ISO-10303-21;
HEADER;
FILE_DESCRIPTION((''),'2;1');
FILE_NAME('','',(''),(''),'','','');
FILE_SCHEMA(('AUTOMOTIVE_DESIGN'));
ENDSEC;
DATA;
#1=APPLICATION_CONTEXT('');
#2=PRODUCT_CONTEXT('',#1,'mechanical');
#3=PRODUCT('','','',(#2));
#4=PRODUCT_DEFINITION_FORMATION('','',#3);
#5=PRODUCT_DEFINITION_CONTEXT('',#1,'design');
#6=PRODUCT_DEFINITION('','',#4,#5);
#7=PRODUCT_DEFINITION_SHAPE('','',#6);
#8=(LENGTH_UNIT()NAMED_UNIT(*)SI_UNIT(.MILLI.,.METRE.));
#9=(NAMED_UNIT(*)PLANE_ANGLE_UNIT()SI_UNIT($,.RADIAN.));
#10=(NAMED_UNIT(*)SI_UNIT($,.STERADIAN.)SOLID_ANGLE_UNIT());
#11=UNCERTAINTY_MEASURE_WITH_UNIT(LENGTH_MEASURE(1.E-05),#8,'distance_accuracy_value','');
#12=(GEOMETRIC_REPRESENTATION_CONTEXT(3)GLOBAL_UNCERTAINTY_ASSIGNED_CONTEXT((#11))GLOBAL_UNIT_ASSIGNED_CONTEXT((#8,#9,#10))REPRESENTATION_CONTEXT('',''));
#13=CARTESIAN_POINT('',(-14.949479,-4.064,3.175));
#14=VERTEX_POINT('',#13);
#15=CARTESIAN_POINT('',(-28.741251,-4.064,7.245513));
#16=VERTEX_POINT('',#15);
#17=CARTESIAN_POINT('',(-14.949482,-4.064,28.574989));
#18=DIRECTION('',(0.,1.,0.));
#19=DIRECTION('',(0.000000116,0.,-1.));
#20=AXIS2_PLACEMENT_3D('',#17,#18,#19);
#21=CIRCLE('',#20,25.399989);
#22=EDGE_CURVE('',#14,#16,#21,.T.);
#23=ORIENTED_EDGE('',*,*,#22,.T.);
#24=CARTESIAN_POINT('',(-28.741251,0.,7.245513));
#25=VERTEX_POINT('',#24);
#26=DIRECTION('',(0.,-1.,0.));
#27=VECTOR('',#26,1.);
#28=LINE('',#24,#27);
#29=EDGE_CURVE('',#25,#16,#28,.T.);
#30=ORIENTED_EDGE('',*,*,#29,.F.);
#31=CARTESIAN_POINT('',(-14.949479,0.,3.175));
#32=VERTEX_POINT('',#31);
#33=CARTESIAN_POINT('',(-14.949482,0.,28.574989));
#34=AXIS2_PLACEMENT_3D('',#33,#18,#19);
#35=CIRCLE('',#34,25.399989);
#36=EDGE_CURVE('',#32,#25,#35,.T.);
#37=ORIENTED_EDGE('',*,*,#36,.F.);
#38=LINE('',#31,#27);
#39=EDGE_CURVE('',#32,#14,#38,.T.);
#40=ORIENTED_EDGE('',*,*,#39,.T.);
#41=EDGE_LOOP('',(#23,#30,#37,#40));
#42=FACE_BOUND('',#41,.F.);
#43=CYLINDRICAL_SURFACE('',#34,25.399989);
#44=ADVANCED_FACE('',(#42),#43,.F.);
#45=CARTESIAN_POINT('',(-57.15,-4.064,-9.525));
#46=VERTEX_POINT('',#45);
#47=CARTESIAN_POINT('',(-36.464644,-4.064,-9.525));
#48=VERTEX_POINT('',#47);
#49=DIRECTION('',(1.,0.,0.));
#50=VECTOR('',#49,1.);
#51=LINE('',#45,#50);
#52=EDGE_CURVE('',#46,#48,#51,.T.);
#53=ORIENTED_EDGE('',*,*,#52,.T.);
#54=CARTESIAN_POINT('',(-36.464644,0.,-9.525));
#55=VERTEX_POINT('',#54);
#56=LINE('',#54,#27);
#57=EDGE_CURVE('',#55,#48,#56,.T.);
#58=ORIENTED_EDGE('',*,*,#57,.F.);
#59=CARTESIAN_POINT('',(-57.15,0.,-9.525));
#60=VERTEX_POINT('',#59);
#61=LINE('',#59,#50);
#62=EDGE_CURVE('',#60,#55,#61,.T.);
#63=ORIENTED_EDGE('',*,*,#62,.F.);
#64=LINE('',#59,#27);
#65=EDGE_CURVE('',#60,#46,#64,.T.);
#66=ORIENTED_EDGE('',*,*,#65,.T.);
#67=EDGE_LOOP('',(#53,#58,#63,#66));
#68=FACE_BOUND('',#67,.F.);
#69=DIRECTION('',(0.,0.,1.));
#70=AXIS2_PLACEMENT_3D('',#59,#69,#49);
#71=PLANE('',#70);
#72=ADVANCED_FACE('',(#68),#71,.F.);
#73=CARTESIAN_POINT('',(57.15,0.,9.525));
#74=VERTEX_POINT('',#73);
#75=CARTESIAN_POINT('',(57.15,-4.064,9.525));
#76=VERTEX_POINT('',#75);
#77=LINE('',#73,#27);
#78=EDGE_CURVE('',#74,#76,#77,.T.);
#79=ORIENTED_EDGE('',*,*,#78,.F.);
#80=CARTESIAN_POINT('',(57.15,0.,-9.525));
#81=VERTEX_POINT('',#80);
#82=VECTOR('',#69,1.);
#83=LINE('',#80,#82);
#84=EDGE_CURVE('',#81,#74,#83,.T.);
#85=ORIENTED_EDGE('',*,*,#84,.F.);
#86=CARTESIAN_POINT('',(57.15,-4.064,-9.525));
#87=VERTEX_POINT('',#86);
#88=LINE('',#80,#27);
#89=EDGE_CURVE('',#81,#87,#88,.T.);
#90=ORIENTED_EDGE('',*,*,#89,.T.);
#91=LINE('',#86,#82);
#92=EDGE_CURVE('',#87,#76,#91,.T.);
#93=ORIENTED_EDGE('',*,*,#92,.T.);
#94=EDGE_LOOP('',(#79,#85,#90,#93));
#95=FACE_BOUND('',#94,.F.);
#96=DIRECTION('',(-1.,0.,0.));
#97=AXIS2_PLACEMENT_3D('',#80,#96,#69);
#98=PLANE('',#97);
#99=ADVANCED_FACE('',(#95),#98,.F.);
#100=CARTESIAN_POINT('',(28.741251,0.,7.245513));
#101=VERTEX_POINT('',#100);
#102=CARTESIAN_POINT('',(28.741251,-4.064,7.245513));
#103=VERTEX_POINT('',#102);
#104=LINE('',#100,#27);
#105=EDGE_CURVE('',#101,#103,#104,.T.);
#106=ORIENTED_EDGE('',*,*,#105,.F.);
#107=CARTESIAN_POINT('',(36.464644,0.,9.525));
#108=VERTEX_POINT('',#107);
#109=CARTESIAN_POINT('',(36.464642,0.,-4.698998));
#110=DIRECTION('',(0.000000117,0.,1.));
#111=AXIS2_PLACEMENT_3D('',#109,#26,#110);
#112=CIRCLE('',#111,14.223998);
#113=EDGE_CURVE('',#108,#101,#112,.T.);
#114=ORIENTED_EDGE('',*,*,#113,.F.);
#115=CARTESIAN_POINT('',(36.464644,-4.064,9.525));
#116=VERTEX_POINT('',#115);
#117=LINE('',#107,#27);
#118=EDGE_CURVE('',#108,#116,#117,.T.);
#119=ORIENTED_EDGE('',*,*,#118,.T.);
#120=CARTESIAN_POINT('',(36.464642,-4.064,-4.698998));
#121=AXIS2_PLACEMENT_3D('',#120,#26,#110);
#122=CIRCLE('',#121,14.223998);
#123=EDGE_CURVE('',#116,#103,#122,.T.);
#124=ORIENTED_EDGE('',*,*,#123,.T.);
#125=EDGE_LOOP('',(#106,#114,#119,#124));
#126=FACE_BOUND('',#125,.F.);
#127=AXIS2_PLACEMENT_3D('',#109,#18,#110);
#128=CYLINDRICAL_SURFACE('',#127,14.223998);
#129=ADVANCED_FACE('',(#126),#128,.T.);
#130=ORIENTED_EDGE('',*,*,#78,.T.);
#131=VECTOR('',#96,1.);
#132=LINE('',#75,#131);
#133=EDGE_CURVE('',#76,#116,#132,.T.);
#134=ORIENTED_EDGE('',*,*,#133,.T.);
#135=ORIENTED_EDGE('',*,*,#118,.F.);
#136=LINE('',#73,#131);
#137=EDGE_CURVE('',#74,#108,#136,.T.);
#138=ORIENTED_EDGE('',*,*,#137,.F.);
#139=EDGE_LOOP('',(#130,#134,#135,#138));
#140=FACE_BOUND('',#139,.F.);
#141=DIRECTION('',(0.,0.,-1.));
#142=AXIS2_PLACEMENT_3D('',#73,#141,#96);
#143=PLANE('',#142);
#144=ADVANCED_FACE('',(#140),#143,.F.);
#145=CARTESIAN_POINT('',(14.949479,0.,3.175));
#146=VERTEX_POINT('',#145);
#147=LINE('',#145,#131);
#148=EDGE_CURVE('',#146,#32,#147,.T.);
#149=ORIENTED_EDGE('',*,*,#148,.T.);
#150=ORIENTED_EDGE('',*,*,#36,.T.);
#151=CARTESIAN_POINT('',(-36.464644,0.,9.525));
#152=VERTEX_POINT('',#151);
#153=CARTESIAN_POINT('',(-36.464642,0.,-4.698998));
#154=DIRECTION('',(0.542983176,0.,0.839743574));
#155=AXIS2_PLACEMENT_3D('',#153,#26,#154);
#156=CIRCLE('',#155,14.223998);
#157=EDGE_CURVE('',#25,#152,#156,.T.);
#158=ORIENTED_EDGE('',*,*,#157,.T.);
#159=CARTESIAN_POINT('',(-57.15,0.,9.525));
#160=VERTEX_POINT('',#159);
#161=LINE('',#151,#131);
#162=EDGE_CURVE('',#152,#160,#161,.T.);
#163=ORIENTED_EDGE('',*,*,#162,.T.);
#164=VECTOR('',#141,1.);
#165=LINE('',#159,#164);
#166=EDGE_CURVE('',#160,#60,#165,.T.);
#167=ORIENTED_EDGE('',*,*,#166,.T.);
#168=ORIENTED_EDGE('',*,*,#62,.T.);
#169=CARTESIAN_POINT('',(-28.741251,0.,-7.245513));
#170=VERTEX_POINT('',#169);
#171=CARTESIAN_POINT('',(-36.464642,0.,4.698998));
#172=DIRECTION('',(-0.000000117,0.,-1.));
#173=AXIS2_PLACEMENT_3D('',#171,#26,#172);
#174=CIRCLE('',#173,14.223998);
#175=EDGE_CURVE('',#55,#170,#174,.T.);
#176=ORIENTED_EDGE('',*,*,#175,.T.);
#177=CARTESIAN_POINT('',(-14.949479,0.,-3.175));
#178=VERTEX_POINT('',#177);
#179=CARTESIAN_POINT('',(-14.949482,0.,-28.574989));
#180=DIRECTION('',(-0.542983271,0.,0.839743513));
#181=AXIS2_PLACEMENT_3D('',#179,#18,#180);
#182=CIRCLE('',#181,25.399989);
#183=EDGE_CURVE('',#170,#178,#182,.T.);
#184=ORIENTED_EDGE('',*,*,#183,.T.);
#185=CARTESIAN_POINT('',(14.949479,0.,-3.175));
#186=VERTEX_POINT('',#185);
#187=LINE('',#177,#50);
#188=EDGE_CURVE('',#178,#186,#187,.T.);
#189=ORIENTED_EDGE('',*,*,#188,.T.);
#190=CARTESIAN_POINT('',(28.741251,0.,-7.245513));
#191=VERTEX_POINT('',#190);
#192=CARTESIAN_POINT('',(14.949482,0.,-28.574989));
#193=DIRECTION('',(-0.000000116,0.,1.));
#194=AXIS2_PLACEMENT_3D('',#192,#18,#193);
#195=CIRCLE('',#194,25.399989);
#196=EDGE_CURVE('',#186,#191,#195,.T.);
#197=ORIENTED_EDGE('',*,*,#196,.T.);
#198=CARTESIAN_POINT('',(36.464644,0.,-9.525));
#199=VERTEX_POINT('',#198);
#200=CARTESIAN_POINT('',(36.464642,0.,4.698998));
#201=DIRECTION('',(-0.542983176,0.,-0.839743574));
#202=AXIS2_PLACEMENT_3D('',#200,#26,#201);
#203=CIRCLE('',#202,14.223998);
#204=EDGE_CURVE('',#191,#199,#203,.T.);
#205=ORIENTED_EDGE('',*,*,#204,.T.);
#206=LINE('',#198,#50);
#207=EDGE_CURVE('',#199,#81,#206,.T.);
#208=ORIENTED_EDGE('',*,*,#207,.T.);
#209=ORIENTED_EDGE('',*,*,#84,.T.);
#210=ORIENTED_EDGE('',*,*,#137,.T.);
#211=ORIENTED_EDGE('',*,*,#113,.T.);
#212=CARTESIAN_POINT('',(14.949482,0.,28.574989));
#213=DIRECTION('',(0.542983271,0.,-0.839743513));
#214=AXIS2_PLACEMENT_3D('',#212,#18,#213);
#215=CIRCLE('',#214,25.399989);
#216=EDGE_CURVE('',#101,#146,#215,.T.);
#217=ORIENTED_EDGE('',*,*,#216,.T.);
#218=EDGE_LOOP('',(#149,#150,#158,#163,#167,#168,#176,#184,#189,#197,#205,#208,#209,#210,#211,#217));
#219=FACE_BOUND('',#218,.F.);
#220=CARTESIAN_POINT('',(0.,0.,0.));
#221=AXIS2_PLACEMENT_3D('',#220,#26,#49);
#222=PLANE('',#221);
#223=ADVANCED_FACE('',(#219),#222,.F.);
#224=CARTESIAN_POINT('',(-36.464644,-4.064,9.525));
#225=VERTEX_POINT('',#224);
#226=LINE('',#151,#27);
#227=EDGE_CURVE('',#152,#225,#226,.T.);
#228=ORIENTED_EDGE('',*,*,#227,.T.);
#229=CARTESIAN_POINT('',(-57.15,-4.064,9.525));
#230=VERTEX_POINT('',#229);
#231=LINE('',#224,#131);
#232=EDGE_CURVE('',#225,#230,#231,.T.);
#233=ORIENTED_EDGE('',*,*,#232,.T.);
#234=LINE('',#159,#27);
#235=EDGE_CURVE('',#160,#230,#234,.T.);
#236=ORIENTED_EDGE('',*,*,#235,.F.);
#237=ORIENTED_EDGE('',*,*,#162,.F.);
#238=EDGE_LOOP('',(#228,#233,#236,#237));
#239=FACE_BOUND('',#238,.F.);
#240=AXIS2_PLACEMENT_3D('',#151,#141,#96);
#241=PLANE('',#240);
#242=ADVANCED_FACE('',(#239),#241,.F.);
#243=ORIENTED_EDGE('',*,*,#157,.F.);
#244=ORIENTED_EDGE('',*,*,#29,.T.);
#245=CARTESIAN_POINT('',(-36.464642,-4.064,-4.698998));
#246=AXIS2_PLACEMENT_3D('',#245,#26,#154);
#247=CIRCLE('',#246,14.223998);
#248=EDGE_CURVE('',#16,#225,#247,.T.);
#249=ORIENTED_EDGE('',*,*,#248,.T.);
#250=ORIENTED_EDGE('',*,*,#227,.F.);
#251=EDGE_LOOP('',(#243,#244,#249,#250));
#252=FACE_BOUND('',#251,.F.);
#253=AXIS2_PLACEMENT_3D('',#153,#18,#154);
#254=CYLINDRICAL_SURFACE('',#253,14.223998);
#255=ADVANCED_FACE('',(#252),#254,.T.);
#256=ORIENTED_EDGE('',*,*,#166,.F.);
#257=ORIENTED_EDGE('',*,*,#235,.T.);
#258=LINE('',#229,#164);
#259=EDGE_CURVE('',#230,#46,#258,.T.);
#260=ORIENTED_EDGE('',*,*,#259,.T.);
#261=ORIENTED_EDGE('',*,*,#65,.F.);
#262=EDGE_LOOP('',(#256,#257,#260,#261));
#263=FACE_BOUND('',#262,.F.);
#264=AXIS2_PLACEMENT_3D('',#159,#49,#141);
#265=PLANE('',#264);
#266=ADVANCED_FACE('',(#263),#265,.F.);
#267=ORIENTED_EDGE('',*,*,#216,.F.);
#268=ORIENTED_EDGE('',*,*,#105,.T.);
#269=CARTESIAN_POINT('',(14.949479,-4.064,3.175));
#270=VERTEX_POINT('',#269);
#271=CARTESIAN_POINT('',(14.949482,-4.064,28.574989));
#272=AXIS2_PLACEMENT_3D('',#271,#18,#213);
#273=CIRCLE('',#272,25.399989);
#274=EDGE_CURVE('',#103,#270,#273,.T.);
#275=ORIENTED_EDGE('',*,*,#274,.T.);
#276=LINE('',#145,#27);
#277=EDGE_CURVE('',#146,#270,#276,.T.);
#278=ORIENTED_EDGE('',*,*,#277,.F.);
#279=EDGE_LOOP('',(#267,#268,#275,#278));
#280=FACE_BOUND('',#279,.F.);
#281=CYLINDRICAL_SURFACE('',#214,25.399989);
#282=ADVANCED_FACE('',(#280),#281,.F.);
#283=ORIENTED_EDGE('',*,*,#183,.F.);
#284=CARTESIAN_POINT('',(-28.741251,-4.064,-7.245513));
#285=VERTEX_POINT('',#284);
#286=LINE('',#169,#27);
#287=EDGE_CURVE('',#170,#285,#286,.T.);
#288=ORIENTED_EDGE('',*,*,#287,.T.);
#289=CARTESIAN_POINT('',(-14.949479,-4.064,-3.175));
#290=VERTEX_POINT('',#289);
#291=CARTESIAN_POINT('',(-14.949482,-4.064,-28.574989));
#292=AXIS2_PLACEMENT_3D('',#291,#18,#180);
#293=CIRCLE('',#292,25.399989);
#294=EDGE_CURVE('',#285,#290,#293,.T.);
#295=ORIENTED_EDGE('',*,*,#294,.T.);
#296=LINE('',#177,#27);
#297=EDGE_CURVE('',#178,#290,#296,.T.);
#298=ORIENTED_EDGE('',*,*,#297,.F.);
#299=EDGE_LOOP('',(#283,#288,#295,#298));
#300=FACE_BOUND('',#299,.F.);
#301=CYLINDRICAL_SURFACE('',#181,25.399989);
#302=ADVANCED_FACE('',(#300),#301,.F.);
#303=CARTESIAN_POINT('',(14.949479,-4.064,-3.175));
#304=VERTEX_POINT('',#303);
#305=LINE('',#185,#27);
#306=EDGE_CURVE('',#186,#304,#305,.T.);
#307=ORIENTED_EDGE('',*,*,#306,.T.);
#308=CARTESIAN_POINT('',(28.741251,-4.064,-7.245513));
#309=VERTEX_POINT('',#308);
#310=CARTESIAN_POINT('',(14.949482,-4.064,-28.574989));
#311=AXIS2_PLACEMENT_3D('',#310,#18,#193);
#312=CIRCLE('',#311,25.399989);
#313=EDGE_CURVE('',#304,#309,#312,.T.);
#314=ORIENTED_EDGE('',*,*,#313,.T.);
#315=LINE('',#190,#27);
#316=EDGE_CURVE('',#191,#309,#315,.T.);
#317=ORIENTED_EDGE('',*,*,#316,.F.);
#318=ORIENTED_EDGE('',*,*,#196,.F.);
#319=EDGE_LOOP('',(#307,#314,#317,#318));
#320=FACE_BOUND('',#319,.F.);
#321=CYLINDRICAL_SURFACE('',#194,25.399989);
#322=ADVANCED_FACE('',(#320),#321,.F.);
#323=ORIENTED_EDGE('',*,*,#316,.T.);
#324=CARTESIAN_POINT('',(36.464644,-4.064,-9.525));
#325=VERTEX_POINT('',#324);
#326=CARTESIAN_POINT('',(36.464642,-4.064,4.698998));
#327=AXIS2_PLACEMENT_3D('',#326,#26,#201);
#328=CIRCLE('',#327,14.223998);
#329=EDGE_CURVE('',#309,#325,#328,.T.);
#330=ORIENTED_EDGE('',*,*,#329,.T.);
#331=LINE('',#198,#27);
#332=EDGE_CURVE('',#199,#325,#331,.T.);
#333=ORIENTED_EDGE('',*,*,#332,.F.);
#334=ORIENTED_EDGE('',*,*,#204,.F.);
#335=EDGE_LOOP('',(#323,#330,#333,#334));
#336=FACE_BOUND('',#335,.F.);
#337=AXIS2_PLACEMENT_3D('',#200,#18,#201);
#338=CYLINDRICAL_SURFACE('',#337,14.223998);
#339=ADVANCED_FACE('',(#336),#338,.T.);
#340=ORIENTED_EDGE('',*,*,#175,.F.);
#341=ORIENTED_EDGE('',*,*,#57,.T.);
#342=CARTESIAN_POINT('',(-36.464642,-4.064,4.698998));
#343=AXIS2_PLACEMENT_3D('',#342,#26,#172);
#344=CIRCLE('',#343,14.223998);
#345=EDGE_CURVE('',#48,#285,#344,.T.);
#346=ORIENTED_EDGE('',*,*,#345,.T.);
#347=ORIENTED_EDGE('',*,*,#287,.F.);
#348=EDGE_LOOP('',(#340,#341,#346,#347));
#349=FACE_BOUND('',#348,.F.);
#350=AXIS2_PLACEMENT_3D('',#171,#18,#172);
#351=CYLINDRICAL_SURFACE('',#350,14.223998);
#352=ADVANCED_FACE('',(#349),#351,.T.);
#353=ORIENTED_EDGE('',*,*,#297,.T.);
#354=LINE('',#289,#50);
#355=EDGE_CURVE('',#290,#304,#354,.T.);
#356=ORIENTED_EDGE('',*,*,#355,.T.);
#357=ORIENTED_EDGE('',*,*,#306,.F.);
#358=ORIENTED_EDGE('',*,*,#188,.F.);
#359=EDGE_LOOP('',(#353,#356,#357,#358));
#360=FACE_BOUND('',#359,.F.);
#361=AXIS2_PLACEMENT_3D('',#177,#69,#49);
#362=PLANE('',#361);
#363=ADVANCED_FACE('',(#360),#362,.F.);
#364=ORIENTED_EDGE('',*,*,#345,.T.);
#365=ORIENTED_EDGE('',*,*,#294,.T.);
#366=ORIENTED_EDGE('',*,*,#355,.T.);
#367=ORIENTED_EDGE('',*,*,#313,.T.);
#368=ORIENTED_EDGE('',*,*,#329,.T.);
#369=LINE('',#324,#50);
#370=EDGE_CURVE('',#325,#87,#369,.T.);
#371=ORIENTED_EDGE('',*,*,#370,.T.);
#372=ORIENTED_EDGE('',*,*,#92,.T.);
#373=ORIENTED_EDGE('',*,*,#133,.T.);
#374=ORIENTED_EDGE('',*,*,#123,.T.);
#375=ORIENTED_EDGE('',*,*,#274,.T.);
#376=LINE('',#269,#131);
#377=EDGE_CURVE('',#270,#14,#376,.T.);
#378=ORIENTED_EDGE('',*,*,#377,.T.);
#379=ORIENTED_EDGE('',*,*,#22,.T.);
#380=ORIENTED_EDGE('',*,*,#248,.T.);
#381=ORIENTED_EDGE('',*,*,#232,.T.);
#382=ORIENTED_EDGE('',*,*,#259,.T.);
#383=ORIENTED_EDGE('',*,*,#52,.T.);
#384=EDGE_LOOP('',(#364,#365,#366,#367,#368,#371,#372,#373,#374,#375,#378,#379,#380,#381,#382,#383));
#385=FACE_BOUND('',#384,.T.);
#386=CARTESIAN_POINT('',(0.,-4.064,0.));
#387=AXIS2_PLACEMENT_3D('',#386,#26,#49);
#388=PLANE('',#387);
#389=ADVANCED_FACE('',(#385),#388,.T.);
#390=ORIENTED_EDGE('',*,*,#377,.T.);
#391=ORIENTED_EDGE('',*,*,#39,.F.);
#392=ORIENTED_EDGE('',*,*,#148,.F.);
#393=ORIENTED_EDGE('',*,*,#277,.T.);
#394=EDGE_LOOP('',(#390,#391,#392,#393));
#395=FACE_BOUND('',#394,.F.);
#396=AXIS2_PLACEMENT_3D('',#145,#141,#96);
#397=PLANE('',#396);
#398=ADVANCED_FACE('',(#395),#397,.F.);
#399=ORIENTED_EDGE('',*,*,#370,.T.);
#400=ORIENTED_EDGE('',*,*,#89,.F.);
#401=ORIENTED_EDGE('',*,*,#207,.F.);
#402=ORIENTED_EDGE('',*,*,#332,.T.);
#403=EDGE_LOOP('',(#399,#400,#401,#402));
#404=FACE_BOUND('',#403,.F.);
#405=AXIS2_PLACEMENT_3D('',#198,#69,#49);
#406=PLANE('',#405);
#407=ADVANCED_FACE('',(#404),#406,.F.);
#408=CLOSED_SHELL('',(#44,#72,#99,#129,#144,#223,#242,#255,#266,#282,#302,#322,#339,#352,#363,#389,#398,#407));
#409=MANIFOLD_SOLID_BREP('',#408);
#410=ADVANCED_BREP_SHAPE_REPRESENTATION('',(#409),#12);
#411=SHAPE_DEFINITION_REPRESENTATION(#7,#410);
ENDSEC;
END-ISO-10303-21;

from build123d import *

# Parameters (mm, degrees)
F1_DEPTH = 4.064


with BuildPart() as f1:
    # F0 (on Front) → F1 (new body)
    with BuildSketch(Plane.XZ):
        with BuildLine():
            Line((14.949479, 3.175), (0, 3.175))
            Line((0, 3.175), (-14.949479, 3.175))
            ThreePointArc((-14.949479, 3.175), (-22.139438, 4.213873), (-28.741251, 7.245513))
            ThreePointArc((-28.741251, 7.245513), (-32.438266, 8.943231), (-36.464644, 9.525))
            Line((-36.464644, 9.525), (-57.15, 9.525))
            Line((-57.15, 9.525), (-57.15, 0))
            Line((-57.15, 0), (-57.15, -9.525))
            Line((-57.15, -9.525), (-36.464644, -9.525))
            ThreePointArc((-36.464644, -9.525), (-32.438266, -8.943231), (-28.741251, -7.245513))
            ThreePointArc((-28.741251, -7.245513), (-22.139438, -4.213873), (-14.949479, -3.175))
            Line((-14.949479, -3.175), (0, -3.175))
            Line((0, -3.175), (14.949479, -3.175))
            ThreePointArc((14.949479, -3.175), (22.139438, -4.213873), (28.741251, -7.245513))
            ThreePointArc((28.741251, -7.245513), (32.438266, -8.943231), (36.464644, -9.525))
            Line((36.464644, -9.525), (57.15, -9.525))
            Line((57.15, -9.525), (57.15, 0))
            Line((57.15, 0), (57.15, 9.525))
            Line((57.15, 9.525), (36.464644, 9.525))
            ThreePointArc((36.464644, 9.525), (32.438266, 8.943231), (28.741251, 7.245513))
            ThreePointArc((28.741251, 7.245513), (22.139438, 4.213873), (14.949479, 3.175))
        make_face()
    extrude(amount=F1_DEPTH)


solid = f1.part
